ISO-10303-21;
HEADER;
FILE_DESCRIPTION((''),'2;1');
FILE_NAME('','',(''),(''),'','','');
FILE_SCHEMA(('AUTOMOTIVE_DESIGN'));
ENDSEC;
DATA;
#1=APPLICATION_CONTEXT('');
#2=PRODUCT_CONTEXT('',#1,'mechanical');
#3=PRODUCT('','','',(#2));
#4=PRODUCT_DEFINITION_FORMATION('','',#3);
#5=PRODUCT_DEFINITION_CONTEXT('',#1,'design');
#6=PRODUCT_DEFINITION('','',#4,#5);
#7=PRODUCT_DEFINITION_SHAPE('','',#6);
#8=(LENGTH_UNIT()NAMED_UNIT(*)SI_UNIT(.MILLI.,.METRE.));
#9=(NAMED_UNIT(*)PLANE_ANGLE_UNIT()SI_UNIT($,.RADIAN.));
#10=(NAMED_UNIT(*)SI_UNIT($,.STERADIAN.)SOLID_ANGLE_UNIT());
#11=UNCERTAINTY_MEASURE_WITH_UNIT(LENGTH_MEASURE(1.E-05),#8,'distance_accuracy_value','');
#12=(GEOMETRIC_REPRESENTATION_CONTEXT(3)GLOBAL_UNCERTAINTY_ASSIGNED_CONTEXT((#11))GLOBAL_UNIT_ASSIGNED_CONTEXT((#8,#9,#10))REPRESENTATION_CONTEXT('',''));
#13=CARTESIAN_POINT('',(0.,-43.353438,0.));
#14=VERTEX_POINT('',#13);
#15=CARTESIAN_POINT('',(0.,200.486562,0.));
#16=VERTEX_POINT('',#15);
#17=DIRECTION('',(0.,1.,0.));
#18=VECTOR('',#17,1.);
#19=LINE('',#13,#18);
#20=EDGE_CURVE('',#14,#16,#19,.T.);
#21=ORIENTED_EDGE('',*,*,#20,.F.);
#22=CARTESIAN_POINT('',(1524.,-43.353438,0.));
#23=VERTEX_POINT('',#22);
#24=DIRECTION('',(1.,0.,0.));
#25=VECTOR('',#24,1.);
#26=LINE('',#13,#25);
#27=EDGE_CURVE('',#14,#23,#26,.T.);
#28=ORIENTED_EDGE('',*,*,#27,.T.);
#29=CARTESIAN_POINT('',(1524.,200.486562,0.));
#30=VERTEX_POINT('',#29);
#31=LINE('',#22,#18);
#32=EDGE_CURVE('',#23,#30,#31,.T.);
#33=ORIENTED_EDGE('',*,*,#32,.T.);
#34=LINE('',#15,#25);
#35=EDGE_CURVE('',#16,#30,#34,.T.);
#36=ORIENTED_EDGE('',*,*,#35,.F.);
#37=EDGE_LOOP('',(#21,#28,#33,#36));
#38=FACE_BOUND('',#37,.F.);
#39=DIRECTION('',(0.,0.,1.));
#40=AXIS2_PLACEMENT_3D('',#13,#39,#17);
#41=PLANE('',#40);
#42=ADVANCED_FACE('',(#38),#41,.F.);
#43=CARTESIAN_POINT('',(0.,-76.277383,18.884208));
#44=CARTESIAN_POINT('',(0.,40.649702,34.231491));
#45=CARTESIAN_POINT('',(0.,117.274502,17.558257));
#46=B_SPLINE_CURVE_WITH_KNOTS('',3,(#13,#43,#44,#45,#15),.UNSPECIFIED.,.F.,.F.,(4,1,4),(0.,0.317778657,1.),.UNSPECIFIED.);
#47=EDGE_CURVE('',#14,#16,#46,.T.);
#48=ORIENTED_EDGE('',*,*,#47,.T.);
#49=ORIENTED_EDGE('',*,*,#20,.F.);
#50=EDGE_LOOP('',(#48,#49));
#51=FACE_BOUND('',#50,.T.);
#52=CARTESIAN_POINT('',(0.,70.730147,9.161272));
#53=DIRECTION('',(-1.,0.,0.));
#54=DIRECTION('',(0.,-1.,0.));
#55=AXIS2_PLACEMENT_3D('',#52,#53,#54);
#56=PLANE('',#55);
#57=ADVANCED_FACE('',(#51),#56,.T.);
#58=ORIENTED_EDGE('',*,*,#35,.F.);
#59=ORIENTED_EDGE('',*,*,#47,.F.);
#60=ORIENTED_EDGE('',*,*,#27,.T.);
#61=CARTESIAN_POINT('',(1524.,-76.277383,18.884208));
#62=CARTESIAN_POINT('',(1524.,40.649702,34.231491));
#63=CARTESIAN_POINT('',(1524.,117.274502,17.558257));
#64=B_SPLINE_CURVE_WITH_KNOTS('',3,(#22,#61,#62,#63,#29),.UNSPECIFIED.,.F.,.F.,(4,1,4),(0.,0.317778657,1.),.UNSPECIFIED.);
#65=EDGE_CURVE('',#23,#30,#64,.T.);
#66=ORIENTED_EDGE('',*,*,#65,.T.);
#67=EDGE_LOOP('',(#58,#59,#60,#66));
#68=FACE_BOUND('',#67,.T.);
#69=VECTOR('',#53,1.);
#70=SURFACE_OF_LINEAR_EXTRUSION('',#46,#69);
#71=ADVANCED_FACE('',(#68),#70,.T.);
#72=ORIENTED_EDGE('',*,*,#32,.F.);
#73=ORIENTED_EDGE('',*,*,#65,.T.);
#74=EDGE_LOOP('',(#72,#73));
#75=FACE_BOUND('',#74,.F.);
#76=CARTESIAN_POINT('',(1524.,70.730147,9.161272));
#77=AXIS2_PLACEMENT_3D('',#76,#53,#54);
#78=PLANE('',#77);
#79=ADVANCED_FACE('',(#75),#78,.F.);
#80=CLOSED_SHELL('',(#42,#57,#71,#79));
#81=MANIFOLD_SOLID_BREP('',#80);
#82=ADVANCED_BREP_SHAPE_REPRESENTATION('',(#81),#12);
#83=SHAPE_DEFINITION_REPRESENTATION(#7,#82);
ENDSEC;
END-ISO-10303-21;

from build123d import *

# Parameters (mm, degrees)
F1_DEPTH = 1524


with BuildPart() as f1:
    # F0 (on Right) → F1 (new body)
    with BuildSketch(Plane.YZ):
        with BuildLine():
            add(Edge.make_bspline(
                [(-43.3534383774, 0), (-76.2773826718, 18.8842080534), (40.6497019981, 34.2314911985), (117.2745021836, 17.5582573105), (200.4865616226, 0)],
                knots=[0, 0, 0, 0, 0.3177786574, 1, 1, 1, 1], degree=3))
            Line((-43.3534383774, 0), (200.4865616226, 0))
        make_face()
    extrude(amount=F1_DEPTH)


solid = f1.part
